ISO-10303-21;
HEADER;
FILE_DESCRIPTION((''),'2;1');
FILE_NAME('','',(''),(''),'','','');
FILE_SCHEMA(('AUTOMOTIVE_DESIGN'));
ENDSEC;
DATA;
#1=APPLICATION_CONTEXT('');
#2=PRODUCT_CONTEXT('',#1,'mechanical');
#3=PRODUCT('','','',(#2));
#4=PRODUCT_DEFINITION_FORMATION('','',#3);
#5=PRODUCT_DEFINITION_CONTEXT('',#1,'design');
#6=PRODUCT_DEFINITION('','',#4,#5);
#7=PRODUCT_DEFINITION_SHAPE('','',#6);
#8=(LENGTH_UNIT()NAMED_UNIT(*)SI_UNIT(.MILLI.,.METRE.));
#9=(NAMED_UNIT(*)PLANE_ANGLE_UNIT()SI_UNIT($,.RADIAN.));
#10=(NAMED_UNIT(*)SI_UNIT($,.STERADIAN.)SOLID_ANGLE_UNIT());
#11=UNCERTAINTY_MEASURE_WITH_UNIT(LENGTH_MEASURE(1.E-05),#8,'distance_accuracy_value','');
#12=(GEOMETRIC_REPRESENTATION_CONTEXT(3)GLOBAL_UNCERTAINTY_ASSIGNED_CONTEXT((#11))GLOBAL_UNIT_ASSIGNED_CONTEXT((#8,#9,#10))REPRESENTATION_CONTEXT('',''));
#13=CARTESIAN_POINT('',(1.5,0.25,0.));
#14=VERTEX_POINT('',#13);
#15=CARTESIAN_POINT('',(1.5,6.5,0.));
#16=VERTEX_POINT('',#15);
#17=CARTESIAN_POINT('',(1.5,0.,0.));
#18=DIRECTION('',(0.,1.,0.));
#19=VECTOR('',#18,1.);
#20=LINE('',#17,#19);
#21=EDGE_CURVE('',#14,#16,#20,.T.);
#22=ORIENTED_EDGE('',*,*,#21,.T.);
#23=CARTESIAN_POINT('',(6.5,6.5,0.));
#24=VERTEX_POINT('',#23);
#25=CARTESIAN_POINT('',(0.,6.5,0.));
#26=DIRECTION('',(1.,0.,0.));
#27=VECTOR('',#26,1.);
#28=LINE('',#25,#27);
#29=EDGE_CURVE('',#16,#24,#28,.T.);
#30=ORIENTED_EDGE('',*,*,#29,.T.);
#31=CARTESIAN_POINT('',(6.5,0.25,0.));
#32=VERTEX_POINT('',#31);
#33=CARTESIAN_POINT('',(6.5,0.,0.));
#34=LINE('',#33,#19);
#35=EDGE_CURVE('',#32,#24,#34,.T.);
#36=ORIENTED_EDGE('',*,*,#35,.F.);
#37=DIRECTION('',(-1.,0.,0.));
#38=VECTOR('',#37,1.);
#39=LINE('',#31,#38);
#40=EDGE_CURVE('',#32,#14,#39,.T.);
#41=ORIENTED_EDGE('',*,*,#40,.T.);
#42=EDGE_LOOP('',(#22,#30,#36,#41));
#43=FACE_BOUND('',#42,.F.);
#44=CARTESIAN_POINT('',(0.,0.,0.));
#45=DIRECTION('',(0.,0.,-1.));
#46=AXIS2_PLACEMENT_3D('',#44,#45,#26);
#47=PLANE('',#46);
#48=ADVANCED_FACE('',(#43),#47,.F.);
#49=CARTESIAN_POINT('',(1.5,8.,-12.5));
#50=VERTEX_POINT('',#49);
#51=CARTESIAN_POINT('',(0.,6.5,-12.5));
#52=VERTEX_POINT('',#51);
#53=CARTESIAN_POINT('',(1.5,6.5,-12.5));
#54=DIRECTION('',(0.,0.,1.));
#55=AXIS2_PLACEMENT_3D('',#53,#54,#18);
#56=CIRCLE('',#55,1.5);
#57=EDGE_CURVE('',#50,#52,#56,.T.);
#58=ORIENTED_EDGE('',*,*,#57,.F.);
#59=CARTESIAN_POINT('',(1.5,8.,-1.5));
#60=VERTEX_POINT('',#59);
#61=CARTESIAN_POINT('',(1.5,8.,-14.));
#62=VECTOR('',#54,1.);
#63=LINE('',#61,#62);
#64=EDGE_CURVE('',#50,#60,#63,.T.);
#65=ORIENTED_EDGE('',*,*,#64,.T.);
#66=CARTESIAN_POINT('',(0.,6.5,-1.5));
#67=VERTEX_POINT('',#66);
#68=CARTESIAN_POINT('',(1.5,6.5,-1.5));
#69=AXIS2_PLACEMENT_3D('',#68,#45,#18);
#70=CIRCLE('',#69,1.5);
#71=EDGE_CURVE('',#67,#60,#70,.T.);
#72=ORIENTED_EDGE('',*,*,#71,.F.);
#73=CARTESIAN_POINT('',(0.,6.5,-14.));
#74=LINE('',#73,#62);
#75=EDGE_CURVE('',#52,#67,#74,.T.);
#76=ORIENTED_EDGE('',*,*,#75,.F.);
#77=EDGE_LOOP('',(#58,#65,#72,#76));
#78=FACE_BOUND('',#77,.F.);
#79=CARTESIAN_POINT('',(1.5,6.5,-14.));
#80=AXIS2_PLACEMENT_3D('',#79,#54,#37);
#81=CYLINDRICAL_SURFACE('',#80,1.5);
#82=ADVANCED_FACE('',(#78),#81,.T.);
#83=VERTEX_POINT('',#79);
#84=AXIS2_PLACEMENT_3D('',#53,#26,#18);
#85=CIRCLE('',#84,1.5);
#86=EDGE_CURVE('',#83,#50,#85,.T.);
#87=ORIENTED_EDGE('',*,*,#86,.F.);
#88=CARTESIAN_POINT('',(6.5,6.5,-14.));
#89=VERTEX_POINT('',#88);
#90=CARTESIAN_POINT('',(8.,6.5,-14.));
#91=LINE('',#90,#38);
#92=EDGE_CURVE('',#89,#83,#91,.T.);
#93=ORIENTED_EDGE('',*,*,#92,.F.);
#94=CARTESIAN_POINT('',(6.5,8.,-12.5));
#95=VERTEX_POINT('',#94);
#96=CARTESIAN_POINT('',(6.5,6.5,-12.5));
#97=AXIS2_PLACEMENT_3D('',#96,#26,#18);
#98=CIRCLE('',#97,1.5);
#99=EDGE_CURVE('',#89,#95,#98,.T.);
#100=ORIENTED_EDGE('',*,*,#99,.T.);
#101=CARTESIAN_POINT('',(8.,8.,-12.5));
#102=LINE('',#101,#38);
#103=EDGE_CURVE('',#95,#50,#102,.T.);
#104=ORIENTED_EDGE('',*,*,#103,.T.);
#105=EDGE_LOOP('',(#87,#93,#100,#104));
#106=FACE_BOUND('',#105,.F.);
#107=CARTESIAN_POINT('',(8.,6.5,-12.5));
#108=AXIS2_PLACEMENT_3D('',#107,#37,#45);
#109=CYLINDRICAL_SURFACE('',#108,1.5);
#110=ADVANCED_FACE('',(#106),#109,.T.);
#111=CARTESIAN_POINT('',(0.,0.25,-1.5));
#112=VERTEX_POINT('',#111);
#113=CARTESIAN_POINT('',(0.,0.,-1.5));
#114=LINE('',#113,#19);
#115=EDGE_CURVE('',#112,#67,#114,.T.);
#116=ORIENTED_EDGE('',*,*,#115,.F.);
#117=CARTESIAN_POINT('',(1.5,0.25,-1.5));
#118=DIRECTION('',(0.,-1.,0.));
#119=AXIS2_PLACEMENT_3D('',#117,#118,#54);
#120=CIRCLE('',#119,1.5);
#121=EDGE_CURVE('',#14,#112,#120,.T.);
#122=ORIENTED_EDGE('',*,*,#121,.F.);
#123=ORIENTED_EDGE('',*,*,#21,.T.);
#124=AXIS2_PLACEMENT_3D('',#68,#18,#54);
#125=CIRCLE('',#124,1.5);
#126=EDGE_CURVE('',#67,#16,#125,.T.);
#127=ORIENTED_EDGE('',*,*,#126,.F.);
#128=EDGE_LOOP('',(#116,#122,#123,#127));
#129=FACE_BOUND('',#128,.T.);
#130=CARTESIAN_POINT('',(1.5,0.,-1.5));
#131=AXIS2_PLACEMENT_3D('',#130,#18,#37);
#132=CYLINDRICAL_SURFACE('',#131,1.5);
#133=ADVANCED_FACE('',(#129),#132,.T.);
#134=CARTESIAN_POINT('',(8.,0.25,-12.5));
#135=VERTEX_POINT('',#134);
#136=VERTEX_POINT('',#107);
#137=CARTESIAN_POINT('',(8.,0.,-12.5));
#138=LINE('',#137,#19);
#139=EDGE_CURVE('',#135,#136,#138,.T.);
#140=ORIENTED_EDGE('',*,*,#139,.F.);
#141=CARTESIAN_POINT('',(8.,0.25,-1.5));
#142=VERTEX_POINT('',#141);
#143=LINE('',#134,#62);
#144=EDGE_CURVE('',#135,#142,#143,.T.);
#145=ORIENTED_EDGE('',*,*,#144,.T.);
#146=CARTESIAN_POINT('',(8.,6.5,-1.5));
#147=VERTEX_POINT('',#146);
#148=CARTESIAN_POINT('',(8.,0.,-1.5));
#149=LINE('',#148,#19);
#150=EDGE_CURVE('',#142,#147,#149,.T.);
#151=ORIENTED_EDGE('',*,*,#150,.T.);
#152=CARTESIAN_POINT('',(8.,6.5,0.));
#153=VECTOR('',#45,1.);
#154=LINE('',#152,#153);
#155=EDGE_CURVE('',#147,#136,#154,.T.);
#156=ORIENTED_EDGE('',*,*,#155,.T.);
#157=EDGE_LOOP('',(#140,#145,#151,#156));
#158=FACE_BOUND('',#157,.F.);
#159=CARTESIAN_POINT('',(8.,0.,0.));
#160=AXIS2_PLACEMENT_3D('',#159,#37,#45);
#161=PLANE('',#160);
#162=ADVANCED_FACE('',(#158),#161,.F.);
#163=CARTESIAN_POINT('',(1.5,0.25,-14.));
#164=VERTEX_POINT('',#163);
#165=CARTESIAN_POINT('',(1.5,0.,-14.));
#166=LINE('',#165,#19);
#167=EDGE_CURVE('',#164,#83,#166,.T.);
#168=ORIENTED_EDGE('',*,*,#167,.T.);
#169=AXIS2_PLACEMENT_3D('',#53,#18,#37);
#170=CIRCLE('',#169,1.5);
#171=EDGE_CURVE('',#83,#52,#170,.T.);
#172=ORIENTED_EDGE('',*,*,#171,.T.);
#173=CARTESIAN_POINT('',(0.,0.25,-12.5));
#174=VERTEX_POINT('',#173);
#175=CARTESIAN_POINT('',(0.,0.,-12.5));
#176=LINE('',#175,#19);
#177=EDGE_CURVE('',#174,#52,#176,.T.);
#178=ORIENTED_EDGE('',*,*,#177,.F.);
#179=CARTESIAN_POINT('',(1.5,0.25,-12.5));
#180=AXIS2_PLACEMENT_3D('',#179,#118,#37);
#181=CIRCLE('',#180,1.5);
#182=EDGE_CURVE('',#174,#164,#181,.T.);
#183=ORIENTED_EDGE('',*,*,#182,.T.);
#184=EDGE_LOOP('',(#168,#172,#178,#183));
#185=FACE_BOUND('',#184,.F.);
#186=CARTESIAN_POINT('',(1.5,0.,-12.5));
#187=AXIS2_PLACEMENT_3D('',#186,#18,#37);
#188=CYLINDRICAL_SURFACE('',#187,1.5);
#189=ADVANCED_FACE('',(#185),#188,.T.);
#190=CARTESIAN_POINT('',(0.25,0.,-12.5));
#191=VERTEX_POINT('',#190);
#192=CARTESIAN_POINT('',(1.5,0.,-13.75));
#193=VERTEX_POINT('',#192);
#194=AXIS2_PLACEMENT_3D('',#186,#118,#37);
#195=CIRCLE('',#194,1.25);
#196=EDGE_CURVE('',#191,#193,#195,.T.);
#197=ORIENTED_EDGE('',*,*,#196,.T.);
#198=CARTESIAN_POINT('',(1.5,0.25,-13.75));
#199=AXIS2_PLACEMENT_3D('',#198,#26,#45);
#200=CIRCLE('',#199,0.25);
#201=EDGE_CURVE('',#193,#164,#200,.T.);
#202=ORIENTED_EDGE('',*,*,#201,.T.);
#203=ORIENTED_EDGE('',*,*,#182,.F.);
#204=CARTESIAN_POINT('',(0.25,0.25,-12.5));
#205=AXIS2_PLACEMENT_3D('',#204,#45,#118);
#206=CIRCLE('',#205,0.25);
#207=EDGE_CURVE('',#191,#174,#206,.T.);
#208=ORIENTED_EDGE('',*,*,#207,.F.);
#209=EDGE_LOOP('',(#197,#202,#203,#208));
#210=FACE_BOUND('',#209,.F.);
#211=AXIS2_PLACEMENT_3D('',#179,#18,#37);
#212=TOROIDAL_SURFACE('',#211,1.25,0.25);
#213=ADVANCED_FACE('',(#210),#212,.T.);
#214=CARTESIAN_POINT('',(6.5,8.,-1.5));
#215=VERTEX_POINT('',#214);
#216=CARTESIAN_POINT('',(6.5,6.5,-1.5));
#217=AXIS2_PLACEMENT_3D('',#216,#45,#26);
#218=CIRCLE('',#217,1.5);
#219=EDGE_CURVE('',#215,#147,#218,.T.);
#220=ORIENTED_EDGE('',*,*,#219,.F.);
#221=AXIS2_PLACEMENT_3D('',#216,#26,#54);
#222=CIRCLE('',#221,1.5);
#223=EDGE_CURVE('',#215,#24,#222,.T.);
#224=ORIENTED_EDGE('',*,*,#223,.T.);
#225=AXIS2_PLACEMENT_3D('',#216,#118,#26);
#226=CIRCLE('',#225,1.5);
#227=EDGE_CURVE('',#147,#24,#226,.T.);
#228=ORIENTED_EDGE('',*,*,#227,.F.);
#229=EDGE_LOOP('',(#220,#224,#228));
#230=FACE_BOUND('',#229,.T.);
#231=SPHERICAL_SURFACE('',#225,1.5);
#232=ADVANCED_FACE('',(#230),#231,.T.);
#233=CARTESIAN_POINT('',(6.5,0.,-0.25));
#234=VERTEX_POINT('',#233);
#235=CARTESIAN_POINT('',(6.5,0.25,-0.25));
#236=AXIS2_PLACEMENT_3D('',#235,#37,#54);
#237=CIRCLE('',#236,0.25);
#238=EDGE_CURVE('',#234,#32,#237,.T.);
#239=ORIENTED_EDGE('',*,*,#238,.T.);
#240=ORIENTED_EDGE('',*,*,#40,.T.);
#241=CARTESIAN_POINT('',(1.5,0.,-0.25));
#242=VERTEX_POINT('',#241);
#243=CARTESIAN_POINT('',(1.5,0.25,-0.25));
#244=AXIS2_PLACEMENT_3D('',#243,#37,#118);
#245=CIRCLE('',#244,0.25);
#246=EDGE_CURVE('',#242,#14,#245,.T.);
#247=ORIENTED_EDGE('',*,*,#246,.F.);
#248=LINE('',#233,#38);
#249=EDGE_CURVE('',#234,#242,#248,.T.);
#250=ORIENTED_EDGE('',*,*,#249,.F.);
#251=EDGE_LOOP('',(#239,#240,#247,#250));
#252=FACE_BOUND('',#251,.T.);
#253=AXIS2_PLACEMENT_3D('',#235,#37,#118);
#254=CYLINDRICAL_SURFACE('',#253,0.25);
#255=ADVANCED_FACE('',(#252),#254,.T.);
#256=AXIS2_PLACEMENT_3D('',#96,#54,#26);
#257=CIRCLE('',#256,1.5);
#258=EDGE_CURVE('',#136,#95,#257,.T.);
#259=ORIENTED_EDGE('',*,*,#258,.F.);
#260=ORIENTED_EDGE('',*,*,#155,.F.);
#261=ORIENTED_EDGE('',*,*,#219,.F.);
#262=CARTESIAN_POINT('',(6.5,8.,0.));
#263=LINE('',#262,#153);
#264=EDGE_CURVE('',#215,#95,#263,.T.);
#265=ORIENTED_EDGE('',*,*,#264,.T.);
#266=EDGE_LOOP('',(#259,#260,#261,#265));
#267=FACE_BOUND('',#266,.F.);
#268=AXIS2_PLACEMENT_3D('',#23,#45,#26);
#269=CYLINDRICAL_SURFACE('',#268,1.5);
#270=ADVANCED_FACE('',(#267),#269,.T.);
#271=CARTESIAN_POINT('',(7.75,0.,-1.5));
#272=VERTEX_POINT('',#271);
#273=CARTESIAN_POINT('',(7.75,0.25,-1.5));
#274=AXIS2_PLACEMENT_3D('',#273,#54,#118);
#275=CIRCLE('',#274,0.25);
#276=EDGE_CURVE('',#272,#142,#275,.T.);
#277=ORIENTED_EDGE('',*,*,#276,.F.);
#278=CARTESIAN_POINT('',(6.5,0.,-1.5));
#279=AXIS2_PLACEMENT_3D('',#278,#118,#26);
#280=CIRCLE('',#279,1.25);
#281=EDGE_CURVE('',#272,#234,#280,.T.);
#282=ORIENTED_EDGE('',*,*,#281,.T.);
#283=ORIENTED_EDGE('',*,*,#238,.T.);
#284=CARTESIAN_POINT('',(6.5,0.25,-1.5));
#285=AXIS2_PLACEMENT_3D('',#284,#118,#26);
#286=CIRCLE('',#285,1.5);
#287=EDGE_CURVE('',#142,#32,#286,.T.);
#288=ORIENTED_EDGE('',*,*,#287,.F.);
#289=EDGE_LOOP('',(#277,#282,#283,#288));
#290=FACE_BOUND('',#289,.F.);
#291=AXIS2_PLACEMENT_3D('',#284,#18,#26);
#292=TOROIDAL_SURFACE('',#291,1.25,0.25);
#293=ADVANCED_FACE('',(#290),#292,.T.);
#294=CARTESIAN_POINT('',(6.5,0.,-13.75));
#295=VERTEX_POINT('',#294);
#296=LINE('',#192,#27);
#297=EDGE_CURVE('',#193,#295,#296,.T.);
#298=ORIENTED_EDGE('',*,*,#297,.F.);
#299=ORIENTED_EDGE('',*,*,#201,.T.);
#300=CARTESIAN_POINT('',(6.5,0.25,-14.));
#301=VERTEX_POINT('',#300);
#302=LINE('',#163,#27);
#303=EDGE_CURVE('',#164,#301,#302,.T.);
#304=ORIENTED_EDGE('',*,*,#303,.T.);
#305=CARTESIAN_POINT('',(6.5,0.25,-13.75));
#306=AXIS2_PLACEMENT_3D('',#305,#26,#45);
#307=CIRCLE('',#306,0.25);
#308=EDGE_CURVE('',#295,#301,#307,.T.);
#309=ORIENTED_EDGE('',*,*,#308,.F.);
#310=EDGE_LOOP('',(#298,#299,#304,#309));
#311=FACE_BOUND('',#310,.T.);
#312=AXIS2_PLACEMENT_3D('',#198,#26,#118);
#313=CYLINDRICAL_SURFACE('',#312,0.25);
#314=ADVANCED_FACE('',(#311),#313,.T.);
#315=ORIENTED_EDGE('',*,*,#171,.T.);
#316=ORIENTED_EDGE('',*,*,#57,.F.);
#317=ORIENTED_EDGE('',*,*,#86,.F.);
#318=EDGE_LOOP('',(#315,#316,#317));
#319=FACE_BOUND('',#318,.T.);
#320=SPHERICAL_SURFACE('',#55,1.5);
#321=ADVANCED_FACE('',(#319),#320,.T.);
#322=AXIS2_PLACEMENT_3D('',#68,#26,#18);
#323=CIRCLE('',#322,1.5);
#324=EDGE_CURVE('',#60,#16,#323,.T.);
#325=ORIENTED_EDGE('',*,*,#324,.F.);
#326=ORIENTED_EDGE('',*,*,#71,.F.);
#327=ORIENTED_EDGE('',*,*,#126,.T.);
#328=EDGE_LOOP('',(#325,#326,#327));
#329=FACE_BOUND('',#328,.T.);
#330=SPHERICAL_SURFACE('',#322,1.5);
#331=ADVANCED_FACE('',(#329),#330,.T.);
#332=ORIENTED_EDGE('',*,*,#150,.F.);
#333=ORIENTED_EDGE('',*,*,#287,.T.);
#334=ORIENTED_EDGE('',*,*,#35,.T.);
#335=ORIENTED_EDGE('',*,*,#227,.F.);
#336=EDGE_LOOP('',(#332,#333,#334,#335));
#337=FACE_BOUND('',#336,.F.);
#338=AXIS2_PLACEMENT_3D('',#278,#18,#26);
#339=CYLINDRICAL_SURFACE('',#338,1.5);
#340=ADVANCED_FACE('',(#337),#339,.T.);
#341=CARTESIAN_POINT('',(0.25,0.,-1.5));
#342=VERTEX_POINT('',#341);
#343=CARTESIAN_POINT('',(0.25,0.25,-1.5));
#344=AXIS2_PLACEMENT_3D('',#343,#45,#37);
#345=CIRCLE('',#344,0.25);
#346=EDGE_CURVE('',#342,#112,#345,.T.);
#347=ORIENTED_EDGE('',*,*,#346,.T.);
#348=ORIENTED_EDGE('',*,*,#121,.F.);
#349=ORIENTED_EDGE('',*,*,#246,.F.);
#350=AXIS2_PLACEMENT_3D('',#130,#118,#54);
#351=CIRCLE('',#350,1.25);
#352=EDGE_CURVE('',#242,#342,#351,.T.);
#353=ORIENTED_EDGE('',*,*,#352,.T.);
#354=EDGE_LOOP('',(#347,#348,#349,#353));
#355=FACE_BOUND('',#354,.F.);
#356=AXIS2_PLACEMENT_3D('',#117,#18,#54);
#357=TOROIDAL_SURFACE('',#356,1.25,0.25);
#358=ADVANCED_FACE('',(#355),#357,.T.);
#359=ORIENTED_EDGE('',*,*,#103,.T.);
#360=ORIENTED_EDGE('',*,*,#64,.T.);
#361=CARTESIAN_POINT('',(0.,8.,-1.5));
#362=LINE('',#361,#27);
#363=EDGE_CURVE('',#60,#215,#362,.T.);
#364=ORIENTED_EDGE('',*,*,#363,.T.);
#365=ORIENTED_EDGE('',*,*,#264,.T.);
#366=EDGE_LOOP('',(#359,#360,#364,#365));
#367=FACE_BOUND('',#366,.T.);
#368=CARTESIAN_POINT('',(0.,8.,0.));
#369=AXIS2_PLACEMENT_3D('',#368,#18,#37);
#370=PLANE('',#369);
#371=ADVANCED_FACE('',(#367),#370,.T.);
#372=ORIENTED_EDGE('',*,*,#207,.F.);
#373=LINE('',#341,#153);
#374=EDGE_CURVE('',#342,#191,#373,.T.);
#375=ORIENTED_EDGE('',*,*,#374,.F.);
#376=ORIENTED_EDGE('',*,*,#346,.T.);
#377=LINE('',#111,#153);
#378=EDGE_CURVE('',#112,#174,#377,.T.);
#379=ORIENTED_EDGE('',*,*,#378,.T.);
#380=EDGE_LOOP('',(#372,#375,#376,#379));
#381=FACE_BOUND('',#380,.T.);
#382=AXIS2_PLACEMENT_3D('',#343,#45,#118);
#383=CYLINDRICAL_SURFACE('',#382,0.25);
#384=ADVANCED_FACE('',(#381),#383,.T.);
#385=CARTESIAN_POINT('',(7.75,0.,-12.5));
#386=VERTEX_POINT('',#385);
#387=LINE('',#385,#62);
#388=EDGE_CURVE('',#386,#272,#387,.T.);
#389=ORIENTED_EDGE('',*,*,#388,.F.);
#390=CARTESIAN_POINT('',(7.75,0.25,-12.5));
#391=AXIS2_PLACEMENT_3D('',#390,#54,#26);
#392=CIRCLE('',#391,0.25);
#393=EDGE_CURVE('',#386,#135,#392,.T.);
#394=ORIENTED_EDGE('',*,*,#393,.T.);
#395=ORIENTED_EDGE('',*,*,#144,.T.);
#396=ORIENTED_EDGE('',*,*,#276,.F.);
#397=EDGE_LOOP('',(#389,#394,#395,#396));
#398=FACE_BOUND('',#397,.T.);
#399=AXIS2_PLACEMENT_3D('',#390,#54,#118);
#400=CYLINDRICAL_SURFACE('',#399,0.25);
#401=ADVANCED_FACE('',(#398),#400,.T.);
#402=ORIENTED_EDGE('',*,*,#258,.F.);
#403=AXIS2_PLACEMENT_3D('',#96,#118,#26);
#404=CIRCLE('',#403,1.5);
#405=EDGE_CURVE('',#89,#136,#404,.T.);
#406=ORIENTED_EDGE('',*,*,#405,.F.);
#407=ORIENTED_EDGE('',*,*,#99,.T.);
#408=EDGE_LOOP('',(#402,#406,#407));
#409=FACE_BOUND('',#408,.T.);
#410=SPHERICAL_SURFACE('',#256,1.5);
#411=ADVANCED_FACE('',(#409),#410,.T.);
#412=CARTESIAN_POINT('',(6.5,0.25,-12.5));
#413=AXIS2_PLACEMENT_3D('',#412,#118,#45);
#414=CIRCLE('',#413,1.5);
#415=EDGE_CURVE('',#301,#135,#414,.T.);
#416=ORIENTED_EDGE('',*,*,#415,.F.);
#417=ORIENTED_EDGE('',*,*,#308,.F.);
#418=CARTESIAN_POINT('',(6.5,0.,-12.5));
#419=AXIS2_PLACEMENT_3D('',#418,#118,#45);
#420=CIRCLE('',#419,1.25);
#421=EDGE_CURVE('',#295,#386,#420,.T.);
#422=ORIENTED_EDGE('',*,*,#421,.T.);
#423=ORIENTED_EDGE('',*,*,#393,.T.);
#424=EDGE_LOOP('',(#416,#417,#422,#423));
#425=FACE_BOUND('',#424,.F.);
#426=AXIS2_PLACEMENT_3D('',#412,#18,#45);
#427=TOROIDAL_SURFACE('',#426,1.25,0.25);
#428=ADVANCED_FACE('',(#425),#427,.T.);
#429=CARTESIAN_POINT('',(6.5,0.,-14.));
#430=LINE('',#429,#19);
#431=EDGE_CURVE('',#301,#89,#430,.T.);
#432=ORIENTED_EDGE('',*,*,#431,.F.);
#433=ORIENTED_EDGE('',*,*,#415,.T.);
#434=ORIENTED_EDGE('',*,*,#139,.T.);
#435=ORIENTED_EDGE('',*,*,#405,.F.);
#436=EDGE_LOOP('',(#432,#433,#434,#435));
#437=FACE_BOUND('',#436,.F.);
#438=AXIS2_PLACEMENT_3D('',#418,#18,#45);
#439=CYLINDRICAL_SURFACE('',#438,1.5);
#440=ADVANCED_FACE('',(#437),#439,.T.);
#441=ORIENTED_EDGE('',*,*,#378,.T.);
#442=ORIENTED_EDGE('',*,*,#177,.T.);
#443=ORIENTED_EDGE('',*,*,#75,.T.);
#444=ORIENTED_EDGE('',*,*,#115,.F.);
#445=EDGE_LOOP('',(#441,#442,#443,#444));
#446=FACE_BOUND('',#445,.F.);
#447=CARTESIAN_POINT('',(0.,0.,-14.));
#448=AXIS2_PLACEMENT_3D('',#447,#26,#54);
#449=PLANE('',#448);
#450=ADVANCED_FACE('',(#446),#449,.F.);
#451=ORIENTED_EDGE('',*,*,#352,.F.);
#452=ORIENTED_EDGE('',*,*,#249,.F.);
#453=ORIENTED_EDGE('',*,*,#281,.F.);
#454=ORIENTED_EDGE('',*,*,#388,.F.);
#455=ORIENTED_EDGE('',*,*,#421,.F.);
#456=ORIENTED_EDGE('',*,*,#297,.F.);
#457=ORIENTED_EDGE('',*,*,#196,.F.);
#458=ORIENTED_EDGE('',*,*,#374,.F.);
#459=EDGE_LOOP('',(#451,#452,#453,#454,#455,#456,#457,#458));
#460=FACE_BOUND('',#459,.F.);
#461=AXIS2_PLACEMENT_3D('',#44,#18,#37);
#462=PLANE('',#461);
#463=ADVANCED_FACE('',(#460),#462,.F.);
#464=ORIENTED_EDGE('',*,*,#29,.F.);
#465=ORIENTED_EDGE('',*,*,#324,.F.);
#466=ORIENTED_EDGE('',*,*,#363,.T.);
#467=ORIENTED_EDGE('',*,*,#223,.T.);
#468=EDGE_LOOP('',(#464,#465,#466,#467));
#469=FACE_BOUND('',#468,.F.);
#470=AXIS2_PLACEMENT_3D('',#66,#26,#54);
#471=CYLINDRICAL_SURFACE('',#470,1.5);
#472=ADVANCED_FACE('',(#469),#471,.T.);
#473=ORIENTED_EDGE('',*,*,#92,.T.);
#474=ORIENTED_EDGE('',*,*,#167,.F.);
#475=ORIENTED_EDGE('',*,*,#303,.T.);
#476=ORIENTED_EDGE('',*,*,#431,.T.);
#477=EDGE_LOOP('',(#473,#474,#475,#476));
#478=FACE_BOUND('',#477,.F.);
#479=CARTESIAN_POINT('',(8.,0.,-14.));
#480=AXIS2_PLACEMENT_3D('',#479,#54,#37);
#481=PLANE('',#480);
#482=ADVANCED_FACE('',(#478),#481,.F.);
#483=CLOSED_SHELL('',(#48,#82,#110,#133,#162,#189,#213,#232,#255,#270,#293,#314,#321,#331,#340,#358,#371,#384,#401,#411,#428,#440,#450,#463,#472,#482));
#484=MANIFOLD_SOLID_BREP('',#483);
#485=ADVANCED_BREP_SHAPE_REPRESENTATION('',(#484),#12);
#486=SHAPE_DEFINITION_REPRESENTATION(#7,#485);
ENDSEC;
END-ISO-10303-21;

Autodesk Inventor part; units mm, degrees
ref_plane "YZ Plane" through (0, 0, 0) normal (1, 0, 0) x (0, 1, 0)
ref_plane "XZ Plane" through (0, 0, 0) normal (0, 1, 0) x (-1, 0, 0)
ref_plane "XY Plane" through (0, 0, 0) normal (0, 0, 1) x (1, 0, 0)
sketch "Sketch1" plane through (0, 0, 0) normal (0, 1, 0) x (-1, 0, 0)
  line L0 (0, 0) -> (-8, 0)
  line L1 (-8, 0) -> (-8, -14)
  line L2 (-8, -14) -> (0, -14)
  line L3 (0, -14) -> (0, 0)
  dimension "d0" = 8
  dimension "d1" = 14
extrude "Extrusion1" add sketch "Sketch1" along normal blind 8
fillet "Fillet1" radius 1.5 8 edges at (8, 4, 0) (8, 8, -7) (4, 8, 0) (0, 8, -7) (0, 4, 0) (8, 4, -14) (4, 8, -14) (0, 4, -14)
fillet "Fillet2" radius 0.25 8 edges at (7.5607, 0, -13.5607) (4, 0, -14) (0.4393, 0, -13.5607) (0, 0, -7) (0.4393, 0, -0.4393) (4, 0, 0) (7.5607, 0, -0.4393) (8, 0, -7)
properties part number "Button_SelectButton"
